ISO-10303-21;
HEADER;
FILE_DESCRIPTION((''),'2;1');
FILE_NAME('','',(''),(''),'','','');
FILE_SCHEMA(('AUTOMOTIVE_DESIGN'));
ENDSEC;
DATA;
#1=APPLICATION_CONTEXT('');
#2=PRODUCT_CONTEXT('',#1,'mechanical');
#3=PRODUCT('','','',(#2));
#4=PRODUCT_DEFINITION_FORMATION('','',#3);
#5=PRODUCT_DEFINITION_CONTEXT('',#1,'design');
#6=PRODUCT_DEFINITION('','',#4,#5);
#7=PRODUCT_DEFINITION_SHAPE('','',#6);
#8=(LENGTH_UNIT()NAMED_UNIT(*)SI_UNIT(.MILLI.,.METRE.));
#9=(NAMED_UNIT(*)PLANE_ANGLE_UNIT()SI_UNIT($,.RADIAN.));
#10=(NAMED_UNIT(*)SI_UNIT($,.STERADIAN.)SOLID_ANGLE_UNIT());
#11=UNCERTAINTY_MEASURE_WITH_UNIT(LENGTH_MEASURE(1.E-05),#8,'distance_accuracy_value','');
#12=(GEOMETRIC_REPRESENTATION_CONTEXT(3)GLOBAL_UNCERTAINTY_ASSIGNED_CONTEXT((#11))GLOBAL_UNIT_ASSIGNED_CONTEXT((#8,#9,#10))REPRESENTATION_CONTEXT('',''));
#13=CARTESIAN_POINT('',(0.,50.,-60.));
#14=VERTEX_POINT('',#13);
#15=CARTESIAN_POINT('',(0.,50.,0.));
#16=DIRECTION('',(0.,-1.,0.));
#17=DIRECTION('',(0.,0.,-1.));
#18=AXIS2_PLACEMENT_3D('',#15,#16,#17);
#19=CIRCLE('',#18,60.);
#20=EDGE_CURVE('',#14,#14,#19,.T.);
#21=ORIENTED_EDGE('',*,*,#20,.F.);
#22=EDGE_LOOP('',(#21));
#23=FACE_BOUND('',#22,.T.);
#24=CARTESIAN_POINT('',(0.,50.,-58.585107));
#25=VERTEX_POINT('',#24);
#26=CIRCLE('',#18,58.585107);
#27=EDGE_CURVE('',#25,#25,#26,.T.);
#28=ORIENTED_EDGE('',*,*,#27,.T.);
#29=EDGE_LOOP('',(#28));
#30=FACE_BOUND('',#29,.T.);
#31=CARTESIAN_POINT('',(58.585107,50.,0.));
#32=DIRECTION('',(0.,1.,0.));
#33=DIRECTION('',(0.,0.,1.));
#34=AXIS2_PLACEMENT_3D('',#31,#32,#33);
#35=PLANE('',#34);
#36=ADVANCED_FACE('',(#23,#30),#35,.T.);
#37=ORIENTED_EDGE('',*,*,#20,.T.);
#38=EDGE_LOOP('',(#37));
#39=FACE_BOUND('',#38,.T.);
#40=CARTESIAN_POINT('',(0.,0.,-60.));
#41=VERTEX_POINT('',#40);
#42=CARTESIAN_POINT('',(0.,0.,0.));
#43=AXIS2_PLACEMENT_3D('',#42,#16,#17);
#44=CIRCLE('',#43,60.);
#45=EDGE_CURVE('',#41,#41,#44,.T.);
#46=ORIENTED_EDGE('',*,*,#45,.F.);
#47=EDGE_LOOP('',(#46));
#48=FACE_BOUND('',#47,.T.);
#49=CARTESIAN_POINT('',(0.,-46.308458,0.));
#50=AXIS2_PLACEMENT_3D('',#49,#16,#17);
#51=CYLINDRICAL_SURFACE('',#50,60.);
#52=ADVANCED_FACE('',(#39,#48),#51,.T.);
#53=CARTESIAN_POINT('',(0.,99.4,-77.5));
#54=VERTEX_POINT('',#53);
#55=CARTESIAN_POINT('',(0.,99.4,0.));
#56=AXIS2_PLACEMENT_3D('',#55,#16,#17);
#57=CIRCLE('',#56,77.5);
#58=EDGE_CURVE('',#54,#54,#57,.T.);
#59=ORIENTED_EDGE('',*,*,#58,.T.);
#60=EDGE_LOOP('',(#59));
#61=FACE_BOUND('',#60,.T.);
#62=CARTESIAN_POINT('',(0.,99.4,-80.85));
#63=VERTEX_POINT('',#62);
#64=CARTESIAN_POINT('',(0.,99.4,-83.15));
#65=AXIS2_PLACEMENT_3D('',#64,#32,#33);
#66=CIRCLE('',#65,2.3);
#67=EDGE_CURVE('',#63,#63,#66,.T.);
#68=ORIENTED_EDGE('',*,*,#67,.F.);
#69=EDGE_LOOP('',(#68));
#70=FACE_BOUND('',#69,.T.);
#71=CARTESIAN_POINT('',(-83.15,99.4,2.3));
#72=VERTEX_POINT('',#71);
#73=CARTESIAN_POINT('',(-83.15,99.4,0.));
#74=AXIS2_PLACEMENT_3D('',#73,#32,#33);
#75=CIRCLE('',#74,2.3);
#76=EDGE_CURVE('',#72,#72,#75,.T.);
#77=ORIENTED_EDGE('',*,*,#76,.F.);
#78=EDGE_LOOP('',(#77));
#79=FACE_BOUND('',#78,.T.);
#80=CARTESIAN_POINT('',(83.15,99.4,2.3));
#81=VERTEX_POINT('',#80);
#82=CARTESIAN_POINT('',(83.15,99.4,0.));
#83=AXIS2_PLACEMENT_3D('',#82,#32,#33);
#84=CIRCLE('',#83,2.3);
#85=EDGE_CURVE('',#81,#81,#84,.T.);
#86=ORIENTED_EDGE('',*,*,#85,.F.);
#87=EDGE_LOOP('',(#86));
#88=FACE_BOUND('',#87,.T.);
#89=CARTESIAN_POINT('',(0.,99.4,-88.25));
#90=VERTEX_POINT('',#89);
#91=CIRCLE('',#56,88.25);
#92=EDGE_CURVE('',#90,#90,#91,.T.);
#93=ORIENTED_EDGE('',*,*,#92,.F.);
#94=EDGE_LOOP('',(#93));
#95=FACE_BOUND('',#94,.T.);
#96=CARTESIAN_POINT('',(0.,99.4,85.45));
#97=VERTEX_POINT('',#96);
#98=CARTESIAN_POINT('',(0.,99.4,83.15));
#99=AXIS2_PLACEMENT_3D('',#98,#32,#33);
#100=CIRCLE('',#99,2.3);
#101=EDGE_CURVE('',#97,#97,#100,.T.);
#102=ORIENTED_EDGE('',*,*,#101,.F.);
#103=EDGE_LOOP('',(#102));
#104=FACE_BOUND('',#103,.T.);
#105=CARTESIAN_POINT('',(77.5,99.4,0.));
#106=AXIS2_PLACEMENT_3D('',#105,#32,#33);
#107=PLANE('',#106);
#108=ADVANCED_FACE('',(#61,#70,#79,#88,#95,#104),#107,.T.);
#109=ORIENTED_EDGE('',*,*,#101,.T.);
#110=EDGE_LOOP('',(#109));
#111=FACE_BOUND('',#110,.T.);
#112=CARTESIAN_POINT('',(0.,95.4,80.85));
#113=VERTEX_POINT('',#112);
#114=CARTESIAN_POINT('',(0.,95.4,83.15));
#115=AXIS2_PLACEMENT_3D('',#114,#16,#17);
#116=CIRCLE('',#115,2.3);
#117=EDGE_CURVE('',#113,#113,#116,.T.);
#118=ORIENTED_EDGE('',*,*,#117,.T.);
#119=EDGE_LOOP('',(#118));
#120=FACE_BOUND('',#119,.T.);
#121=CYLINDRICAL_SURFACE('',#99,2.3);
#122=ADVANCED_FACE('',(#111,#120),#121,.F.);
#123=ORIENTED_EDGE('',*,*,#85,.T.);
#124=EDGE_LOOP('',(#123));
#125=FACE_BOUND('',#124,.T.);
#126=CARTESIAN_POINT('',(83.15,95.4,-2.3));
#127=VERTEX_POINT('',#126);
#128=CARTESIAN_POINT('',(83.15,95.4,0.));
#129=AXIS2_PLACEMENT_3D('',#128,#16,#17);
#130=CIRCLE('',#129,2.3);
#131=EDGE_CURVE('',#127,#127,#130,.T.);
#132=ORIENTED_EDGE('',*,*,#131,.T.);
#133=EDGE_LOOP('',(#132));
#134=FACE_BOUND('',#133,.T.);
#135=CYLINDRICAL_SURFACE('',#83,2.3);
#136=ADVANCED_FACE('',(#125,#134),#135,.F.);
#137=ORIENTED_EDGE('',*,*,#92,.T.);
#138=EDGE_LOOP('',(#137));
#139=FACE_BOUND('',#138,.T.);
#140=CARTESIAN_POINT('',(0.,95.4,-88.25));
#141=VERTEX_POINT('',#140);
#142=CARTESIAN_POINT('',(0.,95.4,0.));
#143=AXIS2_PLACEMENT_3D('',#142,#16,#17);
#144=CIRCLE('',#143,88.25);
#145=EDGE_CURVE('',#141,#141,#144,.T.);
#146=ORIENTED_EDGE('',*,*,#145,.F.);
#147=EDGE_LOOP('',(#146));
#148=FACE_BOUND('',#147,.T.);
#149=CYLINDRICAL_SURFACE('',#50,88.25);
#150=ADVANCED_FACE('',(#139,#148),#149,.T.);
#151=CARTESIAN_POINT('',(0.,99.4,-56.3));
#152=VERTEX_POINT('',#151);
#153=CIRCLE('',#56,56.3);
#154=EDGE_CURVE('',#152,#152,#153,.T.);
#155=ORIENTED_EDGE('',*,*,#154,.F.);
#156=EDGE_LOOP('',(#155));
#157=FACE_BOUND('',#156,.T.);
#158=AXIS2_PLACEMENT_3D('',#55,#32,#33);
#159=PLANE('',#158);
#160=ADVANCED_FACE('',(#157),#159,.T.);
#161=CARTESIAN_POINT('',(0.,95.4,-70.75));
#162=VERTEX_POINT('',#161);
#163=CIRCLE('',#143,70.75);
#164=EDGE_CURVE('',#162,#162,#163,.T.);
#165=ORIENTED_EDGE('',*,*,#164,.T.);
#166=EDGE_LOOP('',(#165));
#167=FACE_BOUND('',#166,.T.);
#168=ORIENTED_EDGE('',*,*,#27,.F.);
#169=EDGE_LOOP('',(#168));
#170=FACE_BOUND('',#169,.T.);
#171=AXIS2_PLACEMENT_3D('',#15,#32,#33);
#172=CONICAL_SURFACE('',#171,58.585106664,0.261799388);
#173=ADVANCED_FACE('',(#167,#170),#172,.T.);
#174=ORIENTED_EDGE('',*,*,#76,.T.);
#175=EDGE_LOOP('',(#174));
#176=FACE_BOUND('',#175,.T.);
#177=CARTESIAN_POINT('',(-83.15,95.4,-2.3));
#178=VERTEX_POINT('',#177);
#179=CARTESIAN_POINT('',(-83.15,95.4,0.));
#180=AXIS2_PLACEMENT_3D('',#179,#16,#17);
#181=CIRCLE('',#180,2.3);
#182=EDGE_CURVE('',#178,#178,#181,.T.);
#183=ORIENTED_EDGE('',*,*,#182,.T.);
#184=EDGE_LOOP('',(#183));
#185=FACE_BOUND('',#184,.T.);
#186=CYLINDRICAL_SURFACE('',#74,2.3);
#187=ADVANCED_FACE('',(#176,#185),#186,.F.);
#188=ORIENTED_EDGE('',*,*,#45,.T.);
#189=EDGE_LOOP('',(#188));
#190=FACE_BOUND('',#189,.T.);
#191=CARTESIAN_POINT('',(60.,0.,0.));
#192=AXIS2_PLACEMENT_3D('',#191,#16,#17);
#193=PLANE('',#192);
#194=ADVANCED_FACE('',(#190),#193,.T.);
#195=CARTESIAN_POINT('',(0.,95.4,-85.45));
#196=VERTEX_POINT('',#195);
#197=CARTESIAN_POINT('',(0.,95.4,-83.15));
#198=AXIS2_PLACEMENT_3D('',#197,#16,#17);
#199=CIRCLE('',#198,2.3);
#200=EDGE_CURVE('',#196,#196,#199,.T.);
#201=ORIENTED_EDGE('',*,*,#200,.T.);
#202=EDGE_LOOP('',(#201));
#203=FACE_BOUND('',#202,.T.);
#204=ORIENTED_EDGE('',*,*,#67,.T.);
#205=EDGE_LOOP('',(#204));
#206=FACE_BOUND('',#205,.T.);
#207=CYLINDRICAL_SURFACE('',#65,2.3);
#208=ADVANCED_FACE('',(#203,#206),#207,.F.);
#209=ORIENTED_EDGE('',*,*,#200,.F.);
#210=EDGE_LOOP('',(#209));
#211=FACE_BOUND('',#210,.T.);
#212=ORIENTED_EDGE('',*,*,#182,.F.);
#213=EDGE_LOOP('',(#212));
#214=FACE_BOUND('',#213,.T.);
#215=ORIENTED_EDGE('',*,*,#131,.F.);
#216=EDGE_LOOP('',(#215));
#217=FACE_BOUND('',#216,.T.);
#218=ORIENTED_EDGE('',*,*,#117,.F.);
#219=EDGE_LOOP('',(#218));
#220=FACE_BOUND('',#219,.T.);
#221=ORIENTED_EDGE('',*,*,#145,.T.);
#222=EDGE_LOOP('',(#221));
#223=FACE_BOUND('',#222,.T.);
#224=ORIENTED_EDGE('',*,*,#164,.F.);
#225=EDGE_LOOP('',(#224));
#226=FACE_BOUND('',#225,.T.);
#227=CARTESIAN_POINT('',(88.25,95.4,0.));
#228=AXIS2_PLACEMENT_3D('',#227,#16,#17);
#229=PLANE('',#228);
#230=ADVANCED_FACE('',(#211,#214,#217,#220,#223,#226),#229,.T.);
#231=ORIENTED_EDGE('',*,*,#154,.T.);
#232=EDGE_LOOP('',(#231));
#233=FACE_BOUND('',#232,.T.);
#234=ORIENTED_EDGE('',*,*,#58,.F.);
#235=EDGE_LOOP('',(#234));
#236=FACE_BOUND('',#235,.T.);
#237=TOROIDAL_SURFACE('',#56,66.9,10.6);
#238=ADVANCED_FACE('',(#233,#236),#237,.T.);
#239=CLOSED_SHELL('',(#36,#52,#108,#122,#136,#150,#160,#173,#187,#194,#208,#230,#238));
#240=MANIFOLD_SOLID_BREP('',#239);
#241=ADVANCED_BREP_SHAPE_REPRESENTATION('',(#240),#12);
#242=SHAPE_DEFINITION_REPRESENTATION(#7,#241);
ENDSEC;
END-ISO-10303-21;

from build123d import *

# Parameters (mm, degrees)
F_4_6_4_6_DIAMETER_HOLE1_D = 4.6


with BuildPart() as part:
    # Sketch1 → Revolve1 (revolve)
    with BuildSketch(Plane.XY, mode=Mode.PRIVATE) as revolve1_sk:
        with BuildLine():
            Line((0, 99.4), (56.3, 99.4))
            ThreePointArc((56.3, 99.4), (66.9, 110), (77.5, 99.4))
            Line((77.5, 99.4), (88.25, 99.4))
            Line((88.25, 99.4), (88.25, 95.4))
            Line((88.25, 95.4), (70.75, 95.4))
            Line((70.75, 95.4), (58.585106664, 50))
            Line((58.585106664, 50), (60, 50))
            Line((60, 50), (60, 0))
            Line((60, 0), (0, 0))
            Line((0, 0), (0, 99.4))
        make_face()
    revolve(revolve1_sk.sketch.rotate(Axis((0, -46.308457921, 0), (0, 1, 0)), 90), axis=Axis((0, -46.308457921, 0), (0, 1, 0)))

    # Ø4.6 (4.6) Diameter Hole1 (through all)
    with Locations(Plane(origin=(0, 99.4, 0), x_dir=(1, 0, 0), z_dir=(0, 1, 0))):
        with Locations((0, -83.15), (-83.15, 0), (0, 83.15), (83.15, 0)):
            Hole(F_4_6_4_6_DIAMETER_HOLE1_D / 2)


solid = part.part
